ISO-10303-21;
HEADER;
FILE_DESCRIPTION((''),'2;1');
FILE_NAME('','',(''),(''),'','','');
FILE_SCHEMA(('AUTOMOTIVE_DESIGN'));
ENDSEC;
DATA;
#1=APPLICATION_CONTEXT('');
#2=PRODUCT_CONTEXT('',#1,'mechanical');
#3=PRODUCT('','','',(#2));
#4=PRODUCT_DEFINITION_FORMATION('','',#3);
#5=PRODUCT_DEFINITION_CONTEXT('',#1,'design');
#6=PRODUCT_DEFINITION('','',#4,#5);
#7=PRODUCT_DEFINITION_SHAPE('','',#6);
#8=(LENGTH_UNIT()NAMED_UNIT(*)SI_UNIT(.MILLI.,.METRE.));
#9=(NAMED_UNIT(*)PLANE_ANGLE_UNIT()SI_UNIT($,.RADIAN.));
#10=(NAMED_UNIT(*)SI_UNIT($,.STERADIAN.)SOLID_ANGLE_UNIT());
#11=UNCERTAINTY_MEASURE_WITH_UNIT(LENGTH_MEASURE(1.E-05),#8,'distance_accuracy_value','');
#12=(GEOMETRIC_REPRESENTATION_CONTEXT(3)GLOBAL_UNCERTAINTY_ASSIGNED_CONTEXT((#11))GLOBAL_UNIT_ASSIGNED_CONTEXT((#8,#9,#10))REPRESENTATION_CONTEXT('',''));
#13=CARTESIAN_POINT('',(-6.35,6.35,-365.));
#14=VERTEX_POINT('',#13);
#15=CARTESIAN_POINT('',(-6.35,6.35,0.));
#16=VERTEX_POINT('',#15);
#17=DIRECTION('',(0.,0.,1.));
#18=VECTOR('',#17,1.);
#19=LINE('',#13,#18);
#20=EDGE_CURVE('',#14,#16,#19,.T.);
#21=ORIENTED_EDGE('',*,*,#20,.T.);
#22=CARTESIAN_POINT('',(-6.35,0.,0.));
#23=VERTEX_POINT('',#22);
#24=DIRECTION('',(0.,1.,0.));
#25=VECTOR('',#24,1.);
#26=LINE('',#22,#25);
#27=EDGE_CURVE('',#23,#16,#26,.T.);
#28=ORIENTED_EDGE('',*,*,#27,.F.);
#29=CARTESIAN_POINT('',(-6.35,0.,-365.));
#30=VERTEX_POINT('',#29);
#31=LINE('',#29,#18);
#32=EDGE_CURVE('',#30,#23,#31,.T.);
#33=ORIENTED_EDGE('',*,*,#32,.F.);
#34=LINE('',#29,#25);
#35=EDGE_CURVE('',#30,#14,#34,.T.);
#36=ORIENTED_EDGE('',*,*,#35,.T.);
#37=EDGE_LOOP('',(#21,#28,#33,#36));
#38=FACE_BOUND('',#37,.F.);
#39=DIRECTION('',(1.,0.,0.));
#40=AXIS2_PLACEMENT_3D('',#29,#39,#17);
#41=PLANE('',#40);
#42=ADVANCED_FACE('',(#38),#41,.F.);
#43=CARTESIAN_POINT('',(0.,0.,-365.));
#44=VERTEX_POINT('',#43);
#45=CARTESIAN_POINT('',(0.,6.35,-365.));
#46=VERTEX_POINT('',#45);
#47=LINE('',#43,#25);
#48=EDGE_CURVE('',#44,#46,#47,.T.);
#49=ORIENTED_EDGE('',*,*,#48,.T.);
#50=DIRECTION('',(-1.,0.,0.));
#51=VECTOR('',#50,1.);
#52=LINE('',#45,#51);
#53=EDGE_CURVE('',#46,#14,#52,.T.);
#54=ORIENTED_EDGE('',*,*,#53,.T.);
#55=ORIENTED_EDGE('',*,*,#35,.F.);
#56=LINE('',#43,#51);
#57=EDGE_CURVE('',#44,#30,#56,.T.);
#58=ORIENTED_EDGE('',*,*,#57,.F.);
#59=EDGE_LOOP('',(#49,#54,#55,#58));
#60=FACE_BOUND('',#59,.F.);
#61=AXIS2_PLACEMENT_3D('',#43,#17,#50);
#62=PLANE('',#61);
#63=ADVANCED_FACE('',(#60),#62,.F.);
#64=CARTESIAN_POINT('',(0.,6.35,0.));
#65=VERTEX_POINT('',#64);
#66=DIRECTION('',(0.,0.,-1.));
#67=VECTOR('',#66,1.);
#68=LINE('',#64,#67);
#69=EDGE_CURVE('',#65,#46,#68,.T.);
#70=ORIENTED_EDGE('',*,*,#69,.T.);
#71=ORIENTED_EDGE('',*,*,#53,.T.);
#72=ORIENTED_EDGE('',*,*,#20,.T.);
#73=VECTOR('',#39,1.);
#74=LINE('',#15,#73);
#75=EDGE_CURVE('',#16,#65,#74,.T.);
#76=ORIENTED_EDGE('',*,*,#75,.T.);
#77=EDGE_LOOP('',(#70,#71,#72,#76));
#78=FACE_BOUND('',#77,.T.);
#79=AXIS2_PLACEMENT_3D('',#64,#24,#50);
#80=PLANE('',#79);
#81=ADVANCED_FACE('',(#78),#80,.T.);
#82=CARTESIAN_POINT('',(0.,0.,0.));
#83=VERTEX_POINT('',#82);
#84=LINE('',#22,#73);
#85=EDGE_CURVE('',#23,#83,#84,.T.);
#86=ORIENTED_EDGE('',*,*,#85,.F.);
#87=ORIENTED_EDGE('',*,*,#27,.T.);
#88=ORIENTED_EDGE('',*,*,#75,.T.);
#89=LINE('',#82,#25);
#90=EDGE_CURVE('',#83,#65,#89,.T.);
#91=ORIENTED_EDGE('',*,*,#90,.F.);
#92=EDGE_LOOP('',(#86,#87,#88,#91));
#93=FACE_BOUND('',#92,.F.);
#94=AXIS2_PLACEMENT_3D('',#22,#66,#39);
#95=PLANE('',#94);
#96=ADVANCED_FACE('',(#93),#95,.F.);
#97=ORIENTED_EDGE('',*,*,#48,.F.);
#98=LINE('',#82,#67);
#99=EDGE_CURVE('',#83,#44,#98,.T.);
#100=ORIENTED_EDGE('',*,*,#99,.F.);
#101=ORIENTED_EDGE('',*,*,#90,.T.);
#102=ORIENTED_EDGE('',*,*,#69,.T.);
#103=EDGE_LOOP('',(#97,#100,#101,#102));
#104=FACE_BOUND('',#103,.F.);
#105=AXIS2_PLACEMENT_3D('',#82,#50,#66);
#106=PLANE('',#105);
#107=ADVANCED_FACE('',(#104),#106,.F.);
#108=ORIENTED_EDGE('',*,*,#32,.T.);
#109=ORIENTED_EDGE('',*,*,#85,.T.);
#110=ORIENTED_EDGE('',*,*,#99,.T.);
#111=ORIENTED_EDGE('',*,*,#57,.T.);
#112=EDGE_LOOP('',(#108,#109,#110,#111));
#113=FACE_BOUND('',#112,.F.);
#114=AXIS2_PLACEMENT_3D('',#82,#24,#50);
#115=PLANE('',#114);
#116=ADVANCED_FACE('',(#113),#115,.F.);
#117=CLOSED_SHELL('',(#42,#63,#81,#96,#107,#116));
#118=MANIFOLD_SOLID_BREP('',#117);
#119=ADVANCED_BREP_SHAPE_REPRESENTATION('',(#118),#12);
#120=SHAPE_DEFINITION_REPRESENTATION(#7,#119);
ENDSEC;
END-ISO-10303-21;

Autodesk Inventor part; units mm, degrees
ref_plane "YZ Plane" through (0, 0, 0) normal (1, 0, 0) x (0, 1, 0)
ref_plane "XZ Plane" through (0, 0, 0) normal (0, 1, 0) x (-1, 0, 0)
ref_plane "XY Plane" through (0, 0, 0) normal (0, 0, 1) x (1, 0, 0)
sketch "Sketch1" plane through (0, 0, 0) normal (0, 1, 0) x (-1, 0, 0)
  line L0 (0, 0) -> (0, -365)
  line L1 (0, -365) -> (6.35, -365)
  line L2 (6.35, -365) -> (6.35, 0)
  line L3 (6.35, 0) -> (0, 0)
  dimension "d0" = 365
  dimension "d1" = 6.35
extrude "Extrusion1" add sketch "Sketch1" along normal blind 6.35
properties part number "Longest"
